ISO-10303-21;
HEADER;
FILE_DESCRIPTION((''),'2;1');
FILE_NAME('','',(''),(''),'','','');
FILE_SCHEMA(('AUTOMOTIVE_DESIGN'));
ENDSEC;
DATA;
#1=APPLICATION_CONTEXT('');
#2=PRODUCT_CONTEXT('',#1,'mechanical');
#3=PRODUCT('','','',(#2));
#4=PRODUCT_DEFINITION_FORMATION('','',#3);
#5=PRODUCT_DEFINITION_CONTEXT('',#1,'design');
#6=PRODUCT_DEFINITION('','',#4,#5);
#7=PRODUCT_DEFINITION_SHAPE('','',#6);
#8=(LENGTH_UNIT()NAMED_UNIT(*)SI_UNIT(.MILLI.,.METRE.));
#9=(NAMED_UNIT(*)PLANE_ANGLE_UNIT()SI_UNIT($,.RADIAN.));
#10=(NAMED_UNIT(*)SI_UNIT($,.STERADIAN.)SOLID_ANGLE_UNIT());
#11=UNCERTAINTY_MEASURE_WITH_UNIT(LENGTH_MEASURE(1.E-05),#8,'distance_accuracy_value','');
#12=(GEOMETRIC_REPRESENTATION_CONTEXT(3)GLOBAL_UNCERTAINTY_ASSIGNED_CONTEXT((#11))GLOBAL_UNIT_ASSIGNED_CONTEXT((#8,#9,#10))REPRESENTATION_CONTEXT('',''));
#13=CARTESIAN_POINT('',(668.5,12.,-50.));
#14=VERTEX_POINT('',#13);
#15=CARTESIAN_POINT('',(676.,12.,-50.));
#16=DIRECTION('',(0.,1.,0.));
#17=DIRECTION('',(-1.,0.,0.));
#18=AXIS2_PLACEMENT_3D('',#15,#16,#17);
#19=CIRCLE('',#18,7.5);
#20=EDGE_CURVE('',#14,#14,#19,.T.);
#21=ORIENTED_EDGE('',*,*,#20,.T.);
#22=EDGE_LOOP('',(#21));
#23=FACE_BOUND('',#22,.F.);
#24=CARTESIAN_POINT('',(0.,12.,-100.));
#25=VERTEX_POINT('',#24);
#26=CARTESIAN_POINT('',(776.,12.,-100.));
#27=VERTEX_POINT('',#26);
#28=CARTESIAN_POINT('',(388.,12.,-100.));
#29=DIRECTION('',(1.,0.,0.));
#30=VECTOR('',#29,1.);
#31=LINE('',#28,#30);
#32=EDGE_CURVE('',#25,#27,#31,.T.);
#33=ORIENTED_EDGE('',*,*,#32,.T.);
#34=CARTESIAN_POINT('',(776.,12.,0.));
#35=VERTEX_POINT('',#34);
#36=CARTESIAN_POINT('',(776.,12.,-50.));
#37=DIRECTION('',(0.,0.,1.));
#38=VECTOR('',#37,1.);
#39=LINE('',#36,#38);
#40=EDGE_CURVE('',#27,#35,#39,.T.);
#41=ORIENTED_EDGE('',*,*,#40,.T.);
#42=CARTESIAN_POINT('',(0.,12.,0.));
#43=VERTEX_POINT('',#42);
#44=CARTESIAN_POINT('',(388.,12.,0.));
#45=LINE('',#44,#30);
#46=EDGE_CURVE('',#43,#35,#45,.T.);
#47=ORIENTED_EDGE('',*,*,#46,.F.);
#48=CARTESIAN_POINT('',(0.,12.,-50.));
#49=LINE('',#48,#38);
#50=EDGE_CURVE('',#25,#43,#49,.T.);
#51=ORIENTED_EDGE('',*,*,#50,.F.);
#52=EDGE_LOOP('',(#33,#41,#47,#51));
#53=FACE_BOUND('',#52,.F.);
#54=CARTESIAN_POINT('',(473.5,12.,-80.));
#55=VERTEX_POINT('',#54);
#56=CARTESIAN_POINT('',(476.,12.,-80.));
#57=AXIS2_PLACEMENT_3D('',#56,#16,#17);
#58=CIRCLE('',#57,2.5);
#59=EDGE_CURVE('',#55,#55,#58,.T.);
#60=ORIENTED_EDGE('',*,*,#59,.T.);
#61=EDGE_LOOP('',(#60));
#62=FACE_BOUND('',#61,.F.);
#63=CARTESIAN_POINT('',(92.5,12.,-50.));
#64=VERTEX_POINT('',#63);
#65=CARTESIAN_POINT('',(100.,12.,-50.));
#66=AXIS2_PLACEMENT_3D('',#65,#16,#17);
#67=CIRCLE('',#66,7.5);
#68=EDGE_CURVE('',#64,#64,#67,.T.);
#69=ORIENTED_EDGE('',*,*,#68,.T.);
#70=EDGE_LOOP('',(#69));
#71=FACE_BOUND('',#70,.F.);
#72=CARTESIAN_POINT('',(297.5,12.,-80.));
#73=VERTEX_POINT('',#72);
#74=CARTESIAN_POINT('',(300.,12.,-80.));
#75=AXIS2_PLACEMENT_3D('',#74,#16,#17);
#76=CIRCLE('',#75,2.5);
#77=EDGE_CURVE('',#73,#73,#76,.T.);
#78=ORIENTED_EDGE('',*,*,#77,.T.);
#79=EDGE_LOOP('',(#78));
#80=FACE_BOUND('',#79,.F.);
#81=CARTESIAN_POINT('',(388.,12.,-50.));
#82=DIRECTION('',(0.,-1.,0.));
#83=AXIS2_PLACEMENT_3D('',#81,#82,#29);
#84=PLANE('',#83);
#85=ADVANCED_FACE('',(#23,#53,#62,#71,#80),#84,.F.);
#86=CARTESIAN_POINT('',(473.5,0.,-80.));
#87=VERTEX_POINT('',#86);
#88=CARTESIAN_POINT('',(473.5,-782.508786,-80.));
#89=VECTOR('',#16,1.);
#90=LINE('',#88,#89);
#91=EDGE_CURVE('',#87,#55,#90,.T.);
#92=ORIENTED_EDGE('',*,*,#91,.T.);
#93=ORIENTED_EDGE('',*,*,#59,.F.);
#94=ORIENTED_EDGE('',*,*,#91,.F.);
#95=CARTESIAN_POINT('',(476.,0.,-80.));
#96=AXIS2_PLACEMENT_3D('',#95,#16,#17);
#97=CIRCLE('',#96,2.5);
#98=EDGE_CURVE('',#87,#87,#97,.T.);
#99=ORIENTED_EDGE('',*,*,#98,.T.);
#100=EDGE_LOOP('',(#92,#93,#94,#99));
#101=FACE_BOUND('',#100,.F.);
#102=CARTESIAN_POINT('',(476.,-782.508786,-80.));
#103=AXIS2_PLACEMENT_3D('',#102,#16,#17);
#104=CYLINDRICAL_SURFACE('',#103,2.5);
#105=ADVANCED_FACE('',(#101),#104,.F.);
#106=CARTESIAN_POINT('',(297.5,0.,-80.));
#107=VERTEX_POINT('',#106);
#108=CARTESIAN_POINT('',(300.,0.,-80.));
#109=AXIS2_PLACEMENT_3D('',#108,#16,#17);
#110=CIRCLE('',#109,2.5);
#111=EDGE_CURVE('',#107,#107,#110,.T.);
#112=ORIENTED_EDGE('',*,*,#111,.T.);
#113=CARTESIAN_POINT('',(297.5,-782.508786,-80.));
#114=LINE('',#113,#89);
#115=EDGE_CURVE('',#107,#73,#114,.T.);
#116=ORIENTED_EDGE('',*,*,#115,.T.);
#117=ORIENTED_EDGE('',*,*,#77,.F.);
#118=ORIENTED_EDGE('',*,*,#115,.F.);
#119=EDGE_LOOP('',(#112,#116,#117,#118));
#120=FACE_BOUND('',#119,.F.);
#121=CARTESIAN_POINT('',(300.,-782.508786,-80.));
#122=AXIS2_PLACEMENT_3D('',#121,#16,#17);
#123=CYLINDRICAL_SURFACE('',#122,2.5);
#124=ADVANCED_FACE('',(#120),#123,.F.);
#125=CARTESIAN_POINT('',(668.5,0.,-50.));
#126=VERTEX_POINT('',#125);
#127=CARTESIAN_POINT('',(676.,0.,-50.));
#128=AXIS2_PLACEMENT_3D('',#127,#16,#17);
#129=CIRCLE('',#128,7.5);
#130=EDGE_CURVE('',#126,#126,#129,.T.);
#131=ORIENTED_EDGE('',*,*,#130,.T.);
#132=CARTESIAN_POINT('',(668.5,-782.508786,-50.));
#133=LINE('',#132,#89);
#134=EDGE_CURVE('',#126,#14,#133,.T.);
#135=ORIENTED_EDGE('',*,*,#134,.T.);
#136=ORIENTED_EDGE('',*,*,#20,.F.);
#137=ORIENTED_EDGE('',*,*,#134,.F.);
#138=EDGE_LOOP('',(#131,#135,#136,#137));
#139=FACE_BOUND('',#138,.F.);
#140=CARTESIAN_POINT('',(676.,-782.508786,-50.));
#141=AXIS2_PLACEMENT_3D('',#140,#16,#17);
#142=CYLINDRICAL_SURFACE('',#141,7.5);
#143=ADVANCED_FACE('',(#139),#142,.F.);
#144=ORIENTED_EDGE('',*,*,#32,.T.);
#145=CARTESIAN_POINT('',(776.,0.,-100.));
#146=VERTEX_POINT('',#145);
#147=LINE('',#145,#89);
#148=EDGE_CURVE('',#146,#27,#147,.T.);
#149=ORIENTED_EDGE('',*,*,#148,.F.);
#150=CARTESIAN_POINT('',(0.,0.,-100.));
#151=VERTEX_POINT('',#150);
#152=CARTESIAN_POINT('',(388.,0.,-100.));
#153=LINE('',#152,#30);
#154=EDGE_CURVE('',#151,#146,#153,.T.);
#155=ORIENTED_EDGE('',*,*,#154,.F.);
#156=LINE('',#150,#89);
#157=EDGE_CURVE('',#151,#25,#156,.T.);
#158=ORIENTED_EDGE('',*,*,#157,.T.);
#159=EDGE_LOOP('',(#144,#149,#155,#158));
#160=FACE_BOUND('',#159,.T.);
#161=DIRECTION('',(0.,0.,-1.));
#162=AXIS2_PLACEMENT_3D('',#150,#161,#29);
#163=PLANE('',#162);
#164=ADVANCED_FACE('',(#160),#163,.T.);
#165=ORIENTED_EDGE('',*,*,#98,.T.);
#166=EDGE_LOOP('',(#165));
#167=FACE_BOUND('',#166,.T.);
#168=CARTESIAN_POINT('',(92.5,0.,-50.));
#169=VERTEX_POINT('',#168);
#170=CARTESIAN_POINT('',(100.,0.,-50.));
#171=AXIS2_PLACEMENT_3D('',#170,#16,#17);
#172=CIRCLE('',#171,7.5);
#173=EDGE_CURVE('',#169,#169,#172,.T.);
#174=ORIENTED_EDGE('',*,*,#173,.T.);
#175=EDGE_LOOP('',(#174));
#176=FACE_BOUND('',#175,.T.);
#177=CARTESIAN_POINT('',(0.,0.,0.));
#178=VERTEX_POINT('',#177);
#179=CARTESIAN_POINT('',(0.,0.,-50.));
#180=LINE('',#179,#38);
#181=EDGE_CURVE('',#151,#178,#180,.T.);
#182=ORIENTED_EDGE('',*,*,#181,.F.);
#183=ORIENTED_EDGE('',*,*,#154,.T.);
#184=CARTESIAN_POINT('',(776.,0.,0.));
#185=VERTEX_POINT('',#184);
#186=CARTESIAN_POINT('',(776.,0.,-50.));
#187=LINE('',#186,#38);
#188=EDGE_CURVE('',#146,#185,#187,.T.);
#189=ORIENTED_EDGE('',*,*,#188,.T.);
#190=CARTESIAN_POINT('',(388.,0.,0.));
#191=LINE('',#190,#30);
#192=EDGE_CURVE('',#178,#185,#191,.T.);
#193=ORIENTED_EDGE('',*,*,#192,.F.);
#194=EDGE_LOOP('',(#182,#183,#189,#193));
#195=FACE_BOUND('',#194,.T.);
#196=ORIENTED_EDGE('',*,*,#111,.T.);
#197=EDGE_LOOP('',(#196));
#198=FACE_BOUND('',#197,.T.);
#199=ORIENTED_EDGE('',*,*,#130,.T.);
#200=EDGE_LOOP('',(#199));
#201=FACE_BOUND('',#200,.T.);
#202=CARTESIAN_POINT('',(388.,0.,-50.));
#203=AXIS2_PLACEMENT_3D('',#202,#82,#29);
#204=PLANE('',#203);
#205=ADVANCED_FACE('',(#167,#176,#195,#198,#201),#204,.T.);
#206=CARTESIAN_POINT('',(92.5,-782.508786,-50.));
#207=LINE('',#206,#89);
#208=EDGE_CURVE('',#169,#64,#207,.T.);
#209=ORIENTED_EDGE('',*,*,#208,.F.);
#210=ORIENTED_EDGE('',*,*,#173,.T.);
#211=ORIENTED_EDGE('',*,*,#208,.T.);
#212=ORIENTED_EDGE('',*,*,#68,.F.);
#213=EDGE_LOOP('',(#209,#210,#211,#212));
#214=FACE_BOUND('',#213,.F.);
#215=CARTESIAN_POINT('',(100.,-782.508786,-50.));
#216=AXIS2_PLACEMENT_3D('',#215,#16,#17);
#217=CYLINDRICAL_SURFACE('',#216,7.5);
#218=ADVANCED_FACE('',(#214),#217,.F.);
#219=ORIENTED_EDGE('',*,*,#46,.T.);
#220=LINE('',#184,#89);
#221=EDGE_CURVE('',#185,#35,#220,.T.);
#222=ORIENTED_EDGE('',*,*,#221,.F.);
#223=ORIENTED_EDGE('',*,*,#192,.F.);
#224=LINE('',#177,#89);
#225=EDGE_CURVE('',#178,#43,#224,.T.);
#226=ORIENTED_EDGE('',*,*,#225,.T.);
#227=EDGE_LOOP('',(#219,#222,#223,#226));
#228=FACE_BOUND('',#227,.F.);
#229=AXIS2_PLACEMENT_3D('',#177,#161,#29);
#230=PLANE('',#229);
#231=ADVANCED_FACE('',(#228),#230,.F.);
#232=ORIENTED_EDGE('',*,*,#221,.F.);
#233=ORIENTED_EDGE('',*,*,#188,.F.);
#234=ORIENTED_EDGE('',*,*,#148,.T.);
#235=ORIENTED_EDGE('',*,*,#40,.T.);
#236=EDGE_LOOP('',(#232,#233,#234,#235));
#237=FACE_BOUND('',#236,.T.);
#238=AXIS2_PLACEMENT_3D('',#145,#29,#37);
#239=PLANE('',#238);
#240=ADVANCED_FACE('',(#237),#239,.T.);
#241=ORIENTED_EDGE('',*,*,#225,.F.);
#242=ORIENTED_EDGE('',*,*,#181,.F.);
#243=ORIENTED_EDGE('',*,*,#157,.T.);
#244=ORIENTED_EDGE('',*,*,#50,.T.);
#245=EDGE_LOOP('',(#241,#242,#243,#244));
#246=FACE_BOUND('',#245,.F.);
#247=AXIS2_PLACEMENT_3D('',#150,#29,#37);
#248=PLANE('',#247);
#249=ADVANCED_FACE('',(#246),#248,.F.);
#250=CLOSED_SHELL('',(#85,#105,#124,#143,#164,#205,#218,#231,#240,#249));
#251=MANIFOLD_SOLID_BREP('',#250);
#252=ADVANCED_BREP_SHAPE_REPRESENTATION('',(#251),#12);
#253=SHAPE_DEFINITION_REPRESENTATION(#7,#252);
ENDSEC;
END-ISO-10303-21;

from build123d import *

# Parameters (mm, degrees)
F0_W     = 776
F0_H     = 100
F1_DEPTH = 12
F3_D     = 15
F5_D     = 5


with BuildPart() as f1:
    # F0 (on Front) → F1 (new body)
    with BuildSketch(Plane.XZ):
        with Locations((388, -50)):
            Rectangle(F0_W, F0_H)
    extrude(amount=-F1_DEPTH)

    # F3 (through all)
    with Locations(Plane.XZ):
        with Locations((100, -50), (676, -50)):
            Hole(F3_D / 2)

    # F5 (through all)
    with Locations(Plane.XZ):
        with Locations((300, -80), (476, -80)):
            Hole(F5_D / 2)


solid = f1.part
